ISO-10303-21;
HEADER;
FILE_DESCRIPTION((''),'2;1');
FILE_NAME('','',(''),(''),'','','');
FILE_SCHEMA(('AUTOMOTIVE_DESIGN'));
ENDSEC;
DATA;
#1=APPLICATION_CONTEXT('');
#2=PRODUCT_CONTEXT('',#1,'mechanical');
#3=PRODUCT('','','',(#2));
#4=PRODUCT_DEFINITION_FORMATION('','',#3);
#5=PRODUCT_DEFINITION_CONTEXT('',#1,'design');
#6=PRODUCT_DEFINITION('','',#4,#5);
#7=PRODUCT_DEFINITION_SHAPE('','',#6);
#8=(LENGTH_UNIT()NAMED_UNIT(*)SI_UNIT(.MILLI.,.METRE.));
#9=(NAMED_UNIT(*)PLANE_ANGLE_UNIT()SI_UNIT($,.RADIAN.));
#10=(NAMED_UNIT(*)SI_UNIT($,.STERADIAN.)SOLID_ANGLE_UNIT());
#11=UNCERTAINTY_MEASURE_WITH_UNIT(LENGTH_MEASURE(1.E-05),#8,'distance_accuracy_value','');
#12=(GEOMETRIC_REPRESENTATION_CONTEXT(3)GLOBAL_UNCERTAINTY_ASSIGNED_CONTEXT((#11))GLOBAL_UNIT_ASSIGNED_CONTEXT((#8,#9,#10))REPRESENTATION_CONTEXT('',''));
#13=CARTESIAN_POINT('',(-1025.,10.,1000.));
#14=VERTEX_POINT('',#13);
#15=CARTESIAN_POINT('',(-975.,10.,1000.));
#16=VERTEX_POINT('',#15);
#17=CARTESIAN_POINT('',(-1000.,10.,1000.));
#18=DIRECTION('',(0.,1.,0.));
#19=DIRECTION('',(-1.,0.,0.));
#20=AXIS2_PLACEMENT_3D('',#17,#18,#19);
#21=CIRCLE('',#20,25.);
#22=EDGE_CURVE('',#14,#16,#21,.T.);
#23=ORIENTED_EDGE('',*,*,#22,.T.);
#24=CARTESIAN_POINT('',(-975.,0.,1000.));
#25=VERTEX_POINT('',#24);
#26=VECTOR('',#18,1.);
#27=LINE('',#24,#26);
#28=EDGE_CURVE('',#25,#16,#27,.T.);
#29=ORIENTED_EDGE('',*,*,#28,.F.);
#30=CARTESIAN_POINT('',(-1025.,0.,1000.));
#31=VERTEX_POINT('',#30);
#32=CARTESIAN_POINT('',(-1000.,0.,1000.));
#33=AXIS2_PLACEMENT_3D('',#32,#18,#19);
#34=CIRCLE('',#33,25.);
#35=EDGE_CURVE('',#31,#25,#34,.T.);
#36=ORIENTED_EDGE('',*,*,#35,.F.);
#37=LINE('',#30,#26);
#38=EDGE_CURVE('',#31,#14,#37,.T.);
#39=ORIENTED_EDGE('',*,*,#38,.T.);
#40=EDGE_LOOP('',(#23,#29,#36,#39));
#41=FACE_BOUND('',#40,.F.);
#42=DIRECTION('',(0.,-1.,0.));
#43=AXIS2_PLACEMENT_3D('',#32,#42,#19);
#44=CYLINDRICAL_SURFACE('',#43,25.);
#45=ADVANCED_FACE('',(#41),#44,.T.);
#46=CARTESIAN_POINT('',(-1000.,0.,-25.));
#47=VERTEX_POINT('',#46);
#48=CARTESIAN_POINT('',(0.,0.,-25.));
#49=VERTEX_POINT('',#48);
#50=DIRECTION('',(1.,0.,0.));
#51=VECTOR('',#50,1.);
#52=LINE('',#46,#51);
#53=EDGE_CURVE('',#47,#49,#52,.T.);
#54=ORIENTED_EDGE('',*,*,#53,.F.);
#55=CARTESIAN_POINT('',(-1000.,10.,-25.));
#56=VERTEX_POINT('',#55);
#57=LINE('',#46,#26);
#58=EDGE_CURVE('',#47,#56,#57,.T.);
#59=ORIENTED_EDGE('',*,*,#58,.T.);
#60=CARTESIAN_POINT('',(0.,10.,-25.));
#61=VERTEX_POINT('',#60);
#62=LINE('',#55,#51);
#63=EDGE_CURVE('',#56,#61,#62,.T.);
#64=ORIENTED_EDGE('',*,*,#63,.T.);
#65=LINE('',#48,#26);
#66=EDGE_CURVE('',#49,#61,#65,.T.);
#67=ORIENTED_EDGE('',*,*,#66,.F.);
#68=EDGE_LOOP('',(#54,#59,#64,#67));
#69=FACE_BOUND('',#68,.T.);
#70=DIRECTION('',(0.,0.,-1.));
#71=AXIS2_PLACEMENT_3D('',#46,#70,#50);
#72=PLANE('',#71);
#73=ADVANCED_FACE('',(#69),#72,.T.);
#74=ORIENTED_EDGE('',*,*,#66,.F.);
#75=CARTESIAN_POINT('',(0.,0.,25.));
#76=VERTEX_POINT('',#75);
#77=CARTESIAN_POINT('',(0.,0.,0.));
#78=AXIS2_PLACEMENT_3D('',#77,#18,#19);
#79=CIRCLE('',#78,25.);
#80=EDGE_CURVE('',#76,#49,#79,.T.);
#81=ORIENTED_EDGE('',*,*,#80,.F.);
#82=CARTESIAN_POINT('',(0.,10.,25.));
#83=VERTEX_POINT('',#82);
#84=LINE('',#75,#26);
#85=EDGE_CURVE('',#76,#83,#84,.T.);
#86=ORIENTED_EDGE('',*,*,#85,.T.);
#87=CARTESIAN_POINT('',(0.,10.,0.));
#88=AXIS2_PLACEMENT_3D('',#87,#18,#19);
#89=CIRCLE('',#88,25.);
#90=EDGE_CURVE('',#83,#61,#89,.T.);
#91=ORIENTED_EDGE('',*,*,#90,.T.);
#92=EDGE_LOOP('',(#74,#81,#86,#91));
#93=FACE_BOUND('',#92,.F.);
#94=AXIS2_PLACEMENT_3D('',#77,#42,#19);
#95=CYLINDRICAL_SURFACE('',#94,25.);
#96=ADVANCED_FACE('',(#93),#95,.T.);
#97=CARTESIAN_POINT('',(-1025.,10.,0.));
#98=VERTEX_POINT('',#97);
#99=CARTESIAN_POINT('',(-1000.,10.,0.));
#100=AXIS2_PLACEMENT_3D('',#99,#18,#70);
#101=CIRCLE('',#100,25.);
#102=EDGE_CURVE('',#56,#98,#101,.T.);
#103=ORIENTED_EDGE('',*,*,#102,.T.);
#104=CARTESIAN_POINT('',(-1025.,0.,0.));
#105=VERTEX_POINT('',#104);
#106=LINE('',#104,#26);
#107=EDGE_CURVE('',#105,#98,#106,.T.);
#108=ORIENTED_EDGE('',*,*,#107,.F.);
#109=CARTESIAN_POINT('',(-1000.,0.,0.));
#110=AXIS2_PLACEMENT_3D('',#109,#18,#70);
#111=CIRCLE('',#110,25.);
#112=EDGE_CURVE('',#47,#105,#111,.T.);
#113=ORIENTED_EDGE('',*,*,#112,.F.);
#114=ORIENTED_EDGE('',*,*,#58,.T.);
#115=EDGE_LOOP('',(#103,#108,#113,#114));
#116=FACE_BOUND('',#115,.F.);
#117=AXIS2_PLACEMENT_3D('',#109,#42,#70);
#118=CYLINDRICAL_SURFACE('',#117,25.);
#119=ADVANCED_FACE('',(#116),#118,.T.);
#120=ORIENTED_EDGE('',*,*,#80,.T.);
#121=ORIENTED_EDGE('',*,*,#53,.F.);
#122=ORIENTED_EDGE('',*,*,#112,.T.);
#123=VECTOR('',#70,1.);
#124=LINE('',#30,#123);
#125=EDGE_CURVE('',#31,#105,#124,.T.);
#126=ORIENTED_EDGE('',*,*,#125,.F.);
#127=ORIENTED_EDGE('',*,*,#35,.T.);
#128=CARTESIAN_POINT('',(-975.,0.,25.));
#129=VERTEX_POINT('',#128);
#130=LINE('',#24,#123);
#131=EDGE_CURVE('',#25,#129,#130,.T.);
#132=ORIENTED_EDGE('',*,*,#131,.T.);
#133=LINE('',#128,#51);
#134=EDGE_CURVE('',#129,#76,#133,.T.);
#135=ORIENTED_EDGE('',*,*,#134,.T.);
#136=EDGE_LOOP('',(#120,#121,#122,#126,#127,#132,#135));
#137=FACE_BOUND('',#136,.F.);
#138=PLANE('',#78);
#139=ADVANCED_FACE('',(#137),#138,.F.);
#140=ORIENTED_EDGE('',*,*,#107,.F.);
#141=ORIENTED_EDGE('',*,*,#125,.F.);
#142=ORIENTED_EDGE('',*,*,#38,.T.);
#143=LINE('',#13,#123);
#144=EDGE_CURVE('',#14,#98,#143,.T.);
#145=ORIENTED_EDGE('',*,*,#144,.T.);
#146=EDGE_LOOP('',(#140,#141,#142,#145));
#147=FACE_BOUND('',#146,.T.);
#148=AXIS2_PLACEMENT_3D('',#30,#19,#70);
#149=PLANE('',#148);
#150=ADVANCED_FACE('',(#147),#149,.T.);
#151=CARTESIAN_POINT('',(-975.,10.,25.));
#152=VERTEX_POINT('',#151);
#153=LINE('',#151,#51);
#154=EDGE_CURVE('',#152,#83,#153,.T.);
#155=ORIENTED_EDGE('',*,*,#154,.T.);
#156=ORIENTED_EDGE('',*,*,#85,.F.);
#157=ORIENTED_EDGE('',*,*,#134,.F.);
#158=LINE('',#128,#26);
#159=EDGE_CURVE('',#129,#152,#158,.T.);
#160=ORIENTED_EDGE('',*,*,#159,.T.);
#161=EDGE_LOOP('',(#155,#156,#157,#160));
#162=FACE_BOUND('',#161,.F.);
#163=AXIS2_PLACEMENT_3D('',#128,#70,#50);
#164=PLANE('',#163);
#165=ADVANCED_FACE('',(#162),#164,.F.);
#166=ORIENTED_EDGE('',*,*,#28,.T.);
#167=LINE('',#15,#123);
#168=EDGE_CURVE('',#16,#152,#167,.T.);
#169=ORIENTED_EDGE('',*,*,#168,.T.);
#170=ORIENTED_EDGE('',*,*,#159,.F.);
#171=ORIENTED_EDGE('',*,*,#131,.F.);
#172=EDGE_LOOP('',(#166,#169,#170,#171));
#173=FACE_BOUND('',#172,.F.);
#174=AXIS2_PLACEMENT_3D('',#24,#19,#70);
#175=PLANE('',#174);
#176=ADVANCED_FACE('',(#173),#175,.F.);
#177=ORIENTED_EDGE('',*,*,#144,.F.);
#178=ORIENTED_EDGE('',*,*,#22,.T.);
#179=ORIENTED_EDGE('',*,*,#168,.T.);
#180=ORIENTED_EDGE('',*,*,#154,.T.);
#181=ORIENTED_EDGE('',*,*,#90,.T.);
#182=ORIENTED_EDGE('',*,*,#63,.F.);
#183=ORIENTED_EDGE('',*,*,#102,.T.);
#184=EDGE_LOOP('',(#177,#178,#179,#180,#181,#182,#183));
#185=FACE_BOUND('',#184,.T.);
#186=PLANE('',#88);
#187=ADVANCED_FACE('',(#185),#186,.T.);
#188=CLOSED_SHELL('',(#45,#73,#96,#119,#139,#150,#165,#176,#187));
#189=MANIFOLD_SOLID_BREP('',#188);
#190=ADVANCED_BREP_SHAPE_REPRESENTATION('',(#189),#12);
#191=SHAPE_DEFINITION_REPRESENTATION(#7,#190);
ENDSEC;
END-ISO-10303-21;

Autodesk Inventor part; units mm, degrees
ref_plane "YZ Plane" through (0, 0, 0) normal (1, 0, 0) x (0, 1, 0)
ref_plane "XZ Plane" through (0, 0, 0) normal (0, 1, 0) x (-1, 0, 0)
ref_plane "XY Plane" through (0, 0, 0) normal (0, 0, 1) x (1, 0, 0)
sketch "Boceto1" plane through (0, 0, 0) normal (0, 1, 0) x (-1, 0, 0)
  line L0 (0, 0) -> (1000, 0)
  line L1 (1000, 25) -> (1000, 1000)
  line L2 (975, 1000) -> (975, 25)
  line L3 (975, 25) -> (0, 25)
  line L4 (1025, 1000) -> (1025, 0)
  line L5 (1000, -25) -> (0, -25)
  line L6 (1025, 1000) -> (975, 1000)
  line L7 (0, -25) -> (0, 25)
  circle A0 centre (0, 0) radius 25
  circle A1 centre (1000, 1000) radius 25
  arc A2 (1000, -25) -> (1025, 0) centre (1000, 0) ccw
extrude "Extrusión1" add sketch "Boceto1" along normal blind 10
properties part number "suelo_pruebas"
